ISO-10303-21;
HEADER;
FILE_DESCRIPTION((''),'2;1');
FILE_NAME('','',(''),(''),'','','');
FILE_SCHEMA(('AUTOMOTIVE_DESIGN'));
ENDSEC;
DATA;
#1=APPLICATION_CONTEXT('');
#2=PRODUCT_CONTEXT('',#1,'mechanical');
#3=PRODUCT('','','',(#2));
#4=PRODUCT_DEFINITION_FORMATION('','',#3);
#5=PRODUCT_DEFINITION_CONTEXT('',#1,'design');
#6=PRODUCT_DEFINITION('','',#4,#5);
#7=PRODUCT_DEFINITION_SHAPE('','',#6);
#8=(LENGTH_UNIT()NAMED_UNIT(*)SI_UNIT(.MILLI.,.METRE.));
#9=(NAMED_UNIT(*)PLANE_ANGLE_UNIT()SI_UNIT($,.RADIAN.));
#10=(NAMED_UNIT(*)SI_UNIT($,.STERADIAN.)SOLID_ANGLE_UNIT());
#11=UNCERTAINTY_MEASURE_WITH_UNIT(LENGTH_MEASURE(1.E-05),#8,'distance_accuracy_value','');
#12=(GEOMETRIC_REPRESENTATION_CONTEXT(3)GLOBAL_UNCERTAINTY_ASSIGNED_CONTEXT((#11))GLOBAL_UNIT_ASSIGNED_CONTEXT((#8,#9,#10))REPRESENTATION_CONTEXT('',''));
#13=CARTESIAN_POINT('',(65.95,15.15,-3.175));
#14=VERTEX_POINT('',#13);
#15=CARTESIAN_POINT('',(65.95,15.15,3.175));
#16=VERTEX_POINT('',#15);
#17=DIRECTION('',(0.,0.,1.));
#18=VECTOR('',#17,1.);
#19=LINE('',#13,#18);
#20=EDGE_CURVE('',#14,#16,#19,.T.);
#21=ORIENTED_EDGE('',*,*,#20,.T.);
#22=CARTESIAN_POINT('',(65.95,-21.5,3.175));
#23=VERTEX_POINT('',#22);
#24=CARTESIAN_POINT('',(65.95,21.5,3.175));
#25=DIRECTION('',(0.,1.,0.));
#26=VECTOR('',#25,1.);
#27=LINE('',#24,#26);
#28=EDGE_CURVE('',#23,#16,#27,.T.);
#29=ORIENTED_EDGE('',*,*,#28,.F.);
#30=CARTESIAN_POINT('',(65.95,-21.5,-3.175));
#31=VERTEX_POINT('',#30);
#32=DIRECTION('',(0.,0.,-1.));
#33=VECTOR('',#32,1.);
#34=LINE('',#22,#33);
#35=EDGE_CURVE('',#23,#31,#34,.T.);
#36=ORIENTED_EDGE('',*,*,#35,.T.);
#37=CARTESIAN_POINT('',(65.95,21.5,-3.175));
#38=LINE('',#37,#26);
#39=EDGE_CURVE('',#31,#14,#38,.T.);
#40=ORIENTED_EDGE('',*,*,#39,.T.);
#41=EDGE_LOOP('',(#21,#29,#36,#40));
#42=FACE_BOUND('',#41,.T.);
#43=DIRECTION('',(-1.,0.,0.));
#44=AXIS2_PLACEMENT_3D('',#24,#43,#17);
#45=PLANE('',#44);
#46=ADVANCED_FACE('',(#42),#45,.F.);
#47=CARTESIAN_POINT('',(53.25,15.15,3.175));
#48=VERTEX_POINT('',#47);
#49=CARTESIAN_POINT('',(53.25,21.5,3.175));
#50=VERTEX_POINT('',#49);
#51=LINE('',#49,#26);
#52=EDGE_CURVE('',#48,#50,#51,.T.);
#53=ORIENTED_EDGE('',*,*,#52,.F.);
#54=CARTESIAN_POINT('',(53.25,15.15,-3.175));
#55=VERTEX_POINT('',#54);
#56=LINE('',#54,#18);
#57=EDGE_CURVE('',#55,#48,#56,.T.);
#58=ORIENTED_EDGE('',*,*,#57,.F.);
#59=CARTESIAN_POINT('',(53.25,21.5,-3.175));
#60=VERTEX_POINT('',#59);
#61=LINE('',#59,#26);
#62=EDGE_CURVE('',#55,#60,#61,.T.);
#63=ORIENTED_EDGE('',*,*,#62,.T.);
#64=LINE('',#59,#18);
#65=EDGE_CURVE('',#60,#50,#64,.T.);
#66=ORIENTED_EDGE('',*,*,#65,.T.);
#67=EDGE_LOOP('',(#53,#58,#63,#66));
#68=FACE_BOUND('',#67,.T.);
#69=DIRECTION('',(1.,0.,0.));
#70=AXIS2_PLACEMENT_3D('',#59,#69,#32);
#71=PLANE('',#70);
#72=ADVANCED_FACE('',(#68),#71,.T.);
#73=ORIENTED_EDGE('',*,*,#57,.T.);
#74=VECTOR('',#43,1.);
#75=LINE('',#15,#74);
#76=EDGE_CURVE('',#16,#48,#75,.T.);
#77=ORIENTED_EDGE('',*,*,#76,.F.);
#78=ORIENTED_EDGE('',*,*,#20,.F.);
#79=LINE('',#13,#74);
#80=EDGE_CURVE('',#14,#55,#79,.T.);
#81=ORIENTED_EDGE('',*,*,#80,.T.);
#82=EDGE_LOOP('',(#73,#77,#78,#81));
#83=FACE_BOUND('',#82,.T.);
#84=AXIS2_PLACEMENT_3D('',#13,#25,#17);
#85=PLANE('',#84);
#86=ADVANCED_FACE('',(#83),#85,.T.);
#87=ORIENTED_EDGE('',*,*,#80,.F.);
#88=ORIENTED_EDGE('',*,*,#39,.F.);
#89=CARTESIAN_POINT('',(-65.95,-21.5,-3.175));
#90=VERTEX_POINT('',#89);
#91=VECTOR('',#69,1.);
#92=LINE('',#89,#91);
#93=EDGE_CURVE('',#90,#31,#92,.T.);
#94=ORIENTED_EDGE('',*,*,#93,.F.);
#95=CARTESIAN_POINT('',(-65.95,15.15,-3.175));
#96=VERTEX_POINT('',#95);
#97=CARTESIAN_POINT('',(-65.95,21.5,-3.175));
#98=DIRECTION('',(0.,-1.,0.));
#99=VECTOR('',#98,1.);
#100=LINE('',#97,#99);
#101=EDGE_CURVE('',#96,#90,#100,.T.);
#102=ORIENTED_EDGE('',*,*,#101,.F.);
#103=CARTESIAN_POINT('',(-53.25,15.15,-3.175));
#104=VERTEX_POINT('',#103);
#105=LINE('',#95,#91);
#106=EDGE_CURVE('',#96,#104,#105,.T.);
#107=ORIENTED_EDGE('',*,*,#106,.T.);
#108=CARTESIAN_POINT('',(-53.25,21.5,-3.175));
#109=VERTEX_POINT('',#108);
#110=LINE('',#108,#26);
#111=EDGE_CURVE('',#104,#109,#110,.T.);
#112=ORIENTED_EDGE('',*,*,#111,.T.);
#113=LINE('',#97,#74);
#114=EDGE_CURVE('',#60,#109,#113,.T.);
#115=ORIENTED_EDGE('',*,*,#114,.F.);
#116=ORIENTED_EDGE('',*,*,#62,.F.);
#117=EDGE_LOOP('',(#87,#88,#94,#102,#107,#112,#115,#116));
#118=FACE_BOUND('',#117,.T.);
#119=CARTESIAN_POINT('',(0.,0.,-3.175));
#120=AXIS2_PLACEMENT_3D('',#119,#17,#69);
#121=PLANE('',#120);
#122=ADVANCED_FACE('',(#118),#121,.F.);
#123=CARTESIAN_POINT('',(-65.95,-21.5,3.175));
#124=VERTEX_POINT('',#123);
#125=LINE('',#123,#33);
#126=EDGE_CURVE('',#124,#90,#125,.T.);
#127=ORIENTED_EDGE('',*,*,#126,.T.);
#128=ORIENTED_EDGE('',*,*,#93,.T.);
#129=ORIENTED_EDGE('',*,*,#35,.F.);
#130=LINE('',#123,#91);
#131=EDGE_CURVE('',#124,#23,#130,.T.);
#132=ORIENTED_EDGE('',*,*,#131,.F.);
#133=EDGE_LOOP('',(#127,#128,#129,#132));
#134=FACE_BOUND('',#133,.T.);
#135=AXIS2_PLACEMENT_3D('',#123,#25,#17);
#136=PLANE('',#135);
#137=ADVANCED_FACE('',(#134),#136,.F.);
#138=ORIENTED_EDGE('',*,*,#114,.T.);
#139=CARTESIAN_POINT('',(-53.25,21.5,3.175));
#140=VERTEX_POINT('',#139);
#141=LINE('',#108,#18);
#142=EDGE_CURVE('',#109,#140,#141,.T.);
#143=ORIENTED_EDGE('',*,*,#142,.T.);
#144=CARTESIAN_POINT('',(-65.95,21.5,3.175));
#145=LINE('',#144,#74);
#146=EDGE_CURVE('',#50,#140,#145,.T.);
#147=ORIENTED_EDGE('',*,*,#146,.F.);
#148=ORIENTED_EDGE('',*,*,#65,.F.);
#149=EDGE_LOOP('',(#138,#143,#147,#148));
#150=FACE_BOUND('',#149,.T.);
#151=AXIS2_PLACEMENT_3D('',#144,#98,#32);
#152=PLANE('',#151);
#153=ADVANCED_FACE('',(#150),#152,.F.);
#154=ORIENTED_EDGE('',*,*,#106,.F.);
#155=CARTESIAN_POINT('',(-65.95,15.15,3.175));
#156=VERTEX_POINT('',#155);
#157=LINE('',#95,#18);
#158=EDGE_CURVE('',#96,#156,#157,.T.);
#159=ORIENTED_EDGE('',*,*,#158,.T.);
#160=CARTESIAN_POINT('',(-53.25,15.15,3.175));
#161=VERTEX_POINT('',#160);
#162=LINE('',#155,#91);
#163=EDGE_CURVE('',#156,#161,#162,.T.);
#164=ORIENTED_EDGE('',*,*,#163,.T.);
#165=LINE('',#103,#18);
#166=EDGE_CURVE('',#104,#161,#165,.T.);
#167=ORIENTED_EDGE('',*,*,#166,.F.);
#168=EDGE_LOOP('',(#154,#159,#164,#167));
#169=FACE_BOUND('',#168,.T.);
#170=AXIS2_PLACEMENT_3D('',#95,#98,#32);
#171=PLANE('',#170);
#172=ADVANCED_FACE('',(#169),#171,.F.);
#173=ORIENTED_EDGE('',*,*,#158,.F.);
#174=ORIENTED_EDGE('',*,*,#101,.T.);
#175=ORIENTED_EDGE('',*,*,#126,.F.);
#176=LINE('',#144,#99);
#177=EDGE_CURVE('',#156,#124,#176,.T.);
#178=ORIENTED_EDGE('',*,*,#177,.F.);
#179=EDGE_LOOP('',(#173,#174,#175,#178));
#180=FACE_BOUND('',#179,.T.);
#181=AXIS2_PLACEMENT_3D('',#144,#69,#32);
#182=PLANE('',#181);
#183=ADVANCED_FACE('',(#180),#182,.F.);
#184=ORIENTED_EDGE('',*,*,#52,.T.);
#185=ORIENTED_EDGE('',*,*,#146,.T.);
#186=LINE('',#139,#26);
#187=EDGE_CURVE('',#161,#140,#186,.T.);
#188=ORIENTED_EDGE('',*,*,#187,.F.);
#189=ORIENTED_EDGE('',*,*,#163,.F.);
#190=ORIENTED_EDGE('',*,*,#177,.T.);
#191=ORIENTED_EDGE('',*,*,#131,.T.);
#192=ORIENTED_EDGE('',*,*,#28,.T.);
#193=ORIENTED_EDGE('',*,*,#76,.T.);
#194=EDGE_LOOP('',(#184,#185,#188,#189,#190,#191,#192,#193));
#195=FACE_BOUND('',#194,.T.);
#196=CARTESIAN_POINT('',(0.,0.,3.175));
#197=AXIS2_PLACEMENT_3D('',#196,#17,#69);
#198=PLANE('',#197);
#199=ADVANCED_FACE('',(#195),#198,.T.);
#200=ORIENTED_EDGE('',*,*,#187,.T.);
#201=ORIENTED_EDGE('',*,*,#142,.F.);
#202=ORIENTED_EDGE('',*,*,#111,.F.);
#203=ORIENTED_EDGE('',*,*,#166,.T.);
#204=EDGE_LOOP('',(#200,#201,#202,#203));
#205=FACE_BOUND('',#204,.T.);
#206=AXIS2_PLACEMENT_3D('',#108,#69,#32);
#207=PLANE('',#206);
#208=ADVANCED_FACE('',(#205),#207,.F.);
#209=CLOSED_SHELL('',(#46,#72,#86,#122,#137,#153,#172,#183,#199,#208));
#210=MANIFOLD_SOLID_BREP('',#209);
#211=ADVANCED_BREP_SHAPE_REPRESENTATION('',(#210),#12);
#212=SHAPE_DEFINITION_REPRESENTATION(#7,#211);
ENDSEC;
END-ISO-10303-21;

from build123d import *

# Parameters (mm, degrees)
SKETCH1_W           = 131.900000106
SKETCH1_H           = 43.000000106
BOSS_EXTRUDE1_DEPTH = 3.175
SKETCH2_W           = 12.7
SKETCH2_H           = 6.35
CUT_EXTRUDE1_DEPTH  = 70.656119683


with BuildPart() as part:
    # Sketch1 → Boss-Extrude1 (new, symmetric)
    with BuildSketch(Plane.XY):
        Rectangle(SKETCH1_W, SKETCH1_H)
    extrude(amount=BOSS_EXTRUDE1_DEPTH, both=True)

    # Sketch2 → Cut-Extrude1 (cut, through all)
    with BuildSketch(Plane.XY.offset(3.175)):
        with Locations((-59.600000053, 18.325000053)):
            Rectangle(SKETCH2_W, SKETCH2_H)
    cut_extrude1 = extrude(amount=-CUT_EXTRUDE1_DEPTH, mode=Mode.SUBTRACT)

    # Mirror1: Cut-Extrude1 across plane
    add(cut_extrude1.mirror(Plane(origin=(0, 0, 0), x_dir=(0, 0, 1), z_dir=(1, 0, 0))), mode=Mode.SUBTRACT)


solid = part.part
